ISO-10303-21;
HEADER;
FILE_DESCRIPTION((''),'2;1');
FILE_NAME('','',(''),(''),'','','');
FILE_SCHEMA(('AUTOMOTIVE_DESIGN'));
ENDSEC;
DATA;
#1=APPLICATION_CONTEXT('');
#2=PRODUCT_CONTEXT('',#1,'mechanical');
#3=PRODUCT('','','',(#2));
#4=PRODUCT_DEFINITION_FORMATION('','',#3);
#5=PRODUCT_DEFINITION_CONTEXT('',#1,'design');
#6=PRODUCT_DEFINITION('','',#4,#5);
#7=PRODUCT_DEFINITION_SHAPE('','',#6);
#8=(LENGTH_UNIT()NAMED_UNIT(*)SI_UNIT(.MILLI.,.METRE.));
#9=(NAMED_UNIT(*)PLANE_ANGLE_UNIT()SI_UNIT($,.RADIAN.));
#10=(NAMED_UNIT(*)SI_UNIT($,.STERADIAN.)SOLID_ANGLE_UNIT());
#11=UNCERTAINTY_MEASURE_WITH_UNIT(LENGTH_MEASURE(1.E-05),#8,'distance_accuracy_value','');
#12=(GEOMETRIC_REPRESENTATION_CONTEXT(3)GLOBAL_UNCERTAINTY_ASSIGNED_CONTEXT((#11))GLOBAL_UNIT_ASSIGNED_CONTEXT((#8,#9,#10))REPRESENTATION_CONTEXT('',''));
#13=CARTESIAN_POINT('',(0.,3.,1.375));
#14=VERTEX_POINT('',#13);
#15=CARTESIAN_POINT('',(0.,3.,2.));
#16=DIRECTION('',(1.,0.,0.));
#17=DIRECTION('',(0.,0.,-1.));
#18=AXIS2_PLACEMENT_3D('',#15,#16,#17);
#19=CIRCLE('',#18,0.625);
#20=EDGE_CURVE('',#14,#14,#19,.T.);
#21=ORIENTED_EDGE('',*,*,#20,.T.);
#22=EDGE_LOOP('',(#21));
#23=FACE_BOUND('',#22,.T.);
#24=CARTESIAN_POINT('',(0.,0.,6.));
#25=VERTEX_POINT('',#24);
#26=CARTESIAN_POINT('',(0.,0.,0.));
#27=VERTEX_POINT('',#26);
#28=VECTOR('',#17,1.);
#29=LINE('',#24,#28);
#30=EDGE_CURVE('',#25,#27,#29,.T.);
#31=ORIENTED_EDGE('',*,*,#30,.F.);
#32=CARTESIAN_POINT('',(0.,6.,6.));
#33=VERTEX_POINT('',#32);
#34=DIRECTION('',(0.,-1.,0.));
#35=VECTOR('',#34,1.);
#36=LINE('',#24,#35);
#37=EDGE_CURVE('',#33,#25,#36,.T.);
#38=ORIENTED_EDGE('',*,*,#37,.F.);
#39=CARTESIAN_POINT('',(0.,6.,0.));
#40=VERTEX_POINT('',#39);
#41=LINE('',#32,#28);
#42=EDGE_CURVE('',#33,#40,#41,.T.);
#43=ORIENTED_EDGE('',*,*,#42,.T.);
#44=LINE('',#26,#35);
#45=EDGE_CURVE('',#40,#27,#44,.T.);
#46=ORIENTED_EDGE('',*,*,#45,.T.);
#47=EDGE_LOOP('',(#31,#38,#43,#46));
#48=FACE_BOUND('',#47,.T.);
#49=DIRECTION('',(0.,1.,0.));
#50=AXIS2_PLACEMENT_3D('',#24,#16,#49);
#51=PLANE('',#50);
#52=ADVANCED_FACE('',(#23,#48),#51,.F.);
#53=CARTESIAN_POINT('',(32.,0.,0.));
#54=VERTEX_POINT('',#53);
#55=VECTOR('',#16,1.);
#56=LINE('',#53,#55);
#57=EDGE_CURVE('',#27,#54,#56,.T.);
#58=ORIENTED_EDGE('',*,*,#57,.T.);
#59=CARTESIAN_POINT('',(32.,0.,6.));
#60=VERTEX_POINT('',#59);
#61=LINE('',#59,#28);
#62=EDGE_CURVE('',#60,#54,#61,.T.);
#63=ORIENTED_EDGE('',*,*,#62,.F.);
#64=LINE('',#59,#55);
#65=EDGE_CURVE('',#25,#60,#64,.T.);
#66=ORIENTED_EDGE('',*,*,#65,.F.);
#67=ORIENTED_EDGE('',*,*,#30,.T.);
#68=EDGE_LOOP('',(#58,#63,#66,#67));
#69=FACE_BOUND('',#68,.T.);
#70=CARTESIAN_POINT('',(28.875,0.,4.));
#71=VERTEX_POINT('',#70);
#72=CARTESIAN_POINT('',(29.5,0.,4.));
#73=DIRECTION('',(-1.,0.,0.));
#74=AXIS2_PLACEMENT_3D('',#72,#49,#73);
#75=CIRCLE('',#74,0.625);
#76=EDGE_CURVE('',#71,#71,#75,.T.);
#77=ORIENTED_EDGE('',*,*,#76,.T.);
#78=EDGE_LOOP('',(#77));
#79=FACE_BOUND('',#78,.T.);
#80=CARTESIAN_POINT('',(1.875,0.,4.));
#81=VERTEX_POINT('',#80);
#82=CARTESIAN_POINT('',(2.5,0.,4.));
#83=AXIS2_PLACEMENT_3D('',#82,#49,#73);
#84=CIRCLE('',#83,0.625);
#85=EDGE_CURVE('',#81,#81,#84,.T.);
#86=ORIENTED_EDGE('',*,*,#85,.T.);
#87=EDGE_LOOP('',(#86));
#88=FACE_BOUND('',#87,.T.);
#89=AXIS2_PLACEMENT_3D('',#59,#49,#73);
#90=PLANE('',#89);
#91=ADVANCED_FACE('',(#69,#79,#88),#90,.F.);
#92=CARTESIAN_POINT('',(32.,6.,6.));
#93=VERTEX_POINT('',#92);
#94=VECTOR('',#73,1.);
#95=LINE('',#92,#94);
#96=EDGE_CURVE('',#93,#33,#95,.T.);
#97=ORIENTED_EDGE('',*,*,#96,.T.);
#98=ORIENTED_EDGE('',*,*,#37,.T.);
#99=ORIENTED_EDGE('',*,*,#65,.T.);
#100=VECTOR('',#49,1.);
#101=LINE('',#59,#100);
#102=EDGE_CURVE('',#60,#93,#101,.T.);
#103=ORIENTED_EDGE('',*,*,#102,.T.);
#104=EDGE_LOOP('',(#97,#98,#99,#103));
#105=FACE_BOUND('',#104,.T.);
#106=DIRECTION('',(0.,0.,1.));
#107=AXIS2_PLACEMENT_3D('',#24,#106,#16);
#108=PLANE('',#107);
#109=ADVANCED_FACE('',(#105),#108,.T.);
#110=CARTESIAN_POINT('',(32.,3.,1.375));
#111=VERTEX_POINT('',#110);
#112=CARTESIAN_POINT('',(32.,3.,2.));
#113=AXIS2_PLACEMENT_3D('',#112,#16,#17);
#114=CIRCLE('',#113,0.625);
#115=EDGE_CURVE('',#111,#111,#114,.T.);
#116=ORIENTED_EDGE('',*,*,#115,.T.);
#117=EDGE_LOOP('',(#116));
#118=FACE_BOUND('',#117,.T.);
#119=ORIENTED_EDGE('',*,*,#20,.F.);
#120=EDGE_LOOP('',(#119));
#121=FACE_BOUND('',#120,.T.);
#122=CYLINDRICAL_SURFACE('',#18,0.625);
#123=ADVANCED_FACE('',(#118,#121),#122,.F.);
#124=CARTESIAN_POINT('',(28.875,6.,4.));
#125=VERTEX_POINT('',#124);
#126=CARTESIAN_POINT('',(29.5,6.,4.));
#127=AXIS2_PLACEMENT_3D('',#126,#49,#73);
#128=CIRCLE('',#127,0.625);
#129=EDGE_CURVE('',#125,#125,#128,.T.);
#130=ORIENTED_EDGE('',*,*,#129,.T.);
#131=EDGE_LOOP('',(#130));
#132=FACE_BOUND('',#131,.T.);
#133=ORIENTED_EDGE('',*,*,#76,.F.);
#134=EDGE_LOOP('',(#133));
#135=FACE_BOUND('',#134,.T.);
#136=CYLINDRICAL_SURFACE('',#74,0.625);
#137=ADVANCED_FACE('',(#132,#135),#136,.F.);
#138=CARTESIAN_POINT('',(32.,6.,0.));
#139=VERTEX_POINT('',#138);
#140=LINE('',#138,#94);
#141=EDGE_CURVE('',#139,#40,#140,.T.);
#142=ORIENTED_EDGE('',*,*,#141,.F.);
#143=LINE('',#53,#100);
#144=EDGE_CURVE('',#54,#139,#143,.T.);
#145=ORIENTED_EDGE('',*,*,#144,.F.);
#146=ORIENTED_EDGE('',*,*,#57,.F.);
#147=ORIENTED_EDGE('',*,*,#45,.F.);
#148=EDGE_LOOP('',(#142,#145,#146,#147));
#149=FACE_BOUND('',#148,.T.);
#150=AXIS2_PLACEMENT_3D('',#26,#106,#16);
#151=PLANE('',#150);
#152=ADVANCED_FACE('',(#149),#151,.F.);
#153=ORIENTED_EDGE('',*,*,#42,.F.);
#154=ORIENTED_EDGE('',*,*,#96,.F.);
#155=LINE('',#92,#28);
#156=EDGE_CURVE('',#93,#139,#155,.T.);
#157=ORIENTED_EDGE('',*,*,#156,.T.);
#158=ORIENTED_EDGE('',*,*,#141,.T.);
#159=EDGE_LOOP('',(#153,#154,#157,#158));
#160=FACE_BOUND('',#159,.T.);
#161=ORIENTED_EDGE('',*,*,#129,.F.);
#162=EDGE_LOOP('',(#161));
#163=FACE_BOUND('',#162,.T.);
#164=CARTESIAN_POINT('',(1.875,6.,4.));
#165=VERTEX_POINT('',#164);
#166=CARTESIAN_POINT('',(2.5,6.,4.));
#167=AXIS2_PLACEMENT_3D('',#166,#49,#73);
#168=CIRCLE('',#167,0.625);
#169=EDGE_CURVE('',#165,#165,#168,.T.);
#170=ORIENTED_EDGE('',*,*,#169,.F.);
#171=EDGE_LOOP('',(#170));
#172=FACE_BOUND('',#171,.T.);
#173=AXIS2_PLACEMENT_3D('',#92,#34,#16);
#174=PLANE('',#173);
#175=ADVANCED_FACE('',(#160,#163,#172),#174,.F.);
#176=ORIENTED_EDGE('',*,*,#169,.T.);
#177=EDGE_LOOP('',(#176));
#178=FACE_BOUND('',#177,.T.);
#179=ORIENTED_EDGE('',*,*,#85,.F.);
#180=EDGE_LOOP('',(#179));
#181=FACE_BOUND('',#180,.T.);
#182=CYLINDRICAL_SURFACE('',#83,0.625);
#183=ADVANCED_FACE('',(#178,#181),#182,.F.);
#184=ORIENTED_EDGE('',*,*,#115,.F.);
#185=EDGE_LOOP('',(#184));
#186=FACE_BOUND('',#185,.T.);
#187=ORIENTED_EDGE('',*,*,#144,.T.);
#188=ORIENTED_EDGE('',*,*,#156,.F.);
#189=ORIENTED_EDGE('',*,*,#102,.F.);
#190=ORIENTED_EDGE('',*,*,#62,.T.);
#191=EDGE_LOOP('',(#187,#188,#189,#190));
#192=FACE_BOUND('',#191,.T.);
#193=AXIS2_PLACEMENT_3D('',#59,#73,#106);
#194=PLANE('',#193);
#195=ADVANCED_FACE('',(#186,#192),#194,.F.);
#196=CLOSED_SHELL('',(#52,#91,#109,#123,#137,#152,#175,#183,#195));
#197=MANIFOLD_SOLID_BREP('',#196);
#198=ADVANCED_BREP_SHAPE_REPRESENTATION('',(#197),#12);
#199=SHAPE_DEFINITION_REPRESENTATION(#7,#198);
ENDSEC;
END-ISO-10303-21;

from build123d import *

# Parameters (mm, degrees)
ESQUISSE1_W             = 32
ESQUISSE1_H             = 6
BOSS_EXTRU_1_DEPTH      = 6
ESQUISSE2_R             = 0.625
ENL_V_MAT_EXTRU_1_DEPTH = 34.105890714
ESQUISSE3_R             = 0.625
ENL_V_MAT_EXTRU_2_DEPTH = 34.105890714


with BuildPart() as part:
    # Esquisse1 → Boss.-Extru.1 (new body)
    with BuildSketch(Plane.XY):
        with Locations((16, 3)):
            Rectangle(ESQUISSE1_W, ESQUISSE1_H)
    extrude(amount=BOSS_EXTRU_1_DEPTH)

    # Esquisse2 → Enlèv. mat.-Extru.1 (cut, through all)
    with BuildSketch(Plane(origin=(32, 0, 0), x_dir=(0, 0, -1), z_dir=(1, 0, 0))):
        with Locations((-2, 3)):
            Circle(ESQUISSE2_R)
    extrude(amount=-ENL_V_MAT_EXTRU_1_DEPTH, mode=Mode.SUBTRACT)

    # Esquisse3 → Enlèv. mat.-Extru.2 (cut, through all)
    with BuildSketch(Plane(origin=(0, 6, 0), x_dir=(1, 0, 0), z_dir=(0, 1, 0))):
        with Locations(Location((29.5, -4, 0), (0, 0, 180))):
            Circle(ESQUISSE3_R)
        with Locations(Location((2.5, -4, 0), (0, 0, 180))):
            Circle(ESQUISSE3_R)
    extrude(amount=-ENL_V_MAT_EXTRU_2_DEPTH, mode=Mode.SUBTRACT)


solid = part.part
